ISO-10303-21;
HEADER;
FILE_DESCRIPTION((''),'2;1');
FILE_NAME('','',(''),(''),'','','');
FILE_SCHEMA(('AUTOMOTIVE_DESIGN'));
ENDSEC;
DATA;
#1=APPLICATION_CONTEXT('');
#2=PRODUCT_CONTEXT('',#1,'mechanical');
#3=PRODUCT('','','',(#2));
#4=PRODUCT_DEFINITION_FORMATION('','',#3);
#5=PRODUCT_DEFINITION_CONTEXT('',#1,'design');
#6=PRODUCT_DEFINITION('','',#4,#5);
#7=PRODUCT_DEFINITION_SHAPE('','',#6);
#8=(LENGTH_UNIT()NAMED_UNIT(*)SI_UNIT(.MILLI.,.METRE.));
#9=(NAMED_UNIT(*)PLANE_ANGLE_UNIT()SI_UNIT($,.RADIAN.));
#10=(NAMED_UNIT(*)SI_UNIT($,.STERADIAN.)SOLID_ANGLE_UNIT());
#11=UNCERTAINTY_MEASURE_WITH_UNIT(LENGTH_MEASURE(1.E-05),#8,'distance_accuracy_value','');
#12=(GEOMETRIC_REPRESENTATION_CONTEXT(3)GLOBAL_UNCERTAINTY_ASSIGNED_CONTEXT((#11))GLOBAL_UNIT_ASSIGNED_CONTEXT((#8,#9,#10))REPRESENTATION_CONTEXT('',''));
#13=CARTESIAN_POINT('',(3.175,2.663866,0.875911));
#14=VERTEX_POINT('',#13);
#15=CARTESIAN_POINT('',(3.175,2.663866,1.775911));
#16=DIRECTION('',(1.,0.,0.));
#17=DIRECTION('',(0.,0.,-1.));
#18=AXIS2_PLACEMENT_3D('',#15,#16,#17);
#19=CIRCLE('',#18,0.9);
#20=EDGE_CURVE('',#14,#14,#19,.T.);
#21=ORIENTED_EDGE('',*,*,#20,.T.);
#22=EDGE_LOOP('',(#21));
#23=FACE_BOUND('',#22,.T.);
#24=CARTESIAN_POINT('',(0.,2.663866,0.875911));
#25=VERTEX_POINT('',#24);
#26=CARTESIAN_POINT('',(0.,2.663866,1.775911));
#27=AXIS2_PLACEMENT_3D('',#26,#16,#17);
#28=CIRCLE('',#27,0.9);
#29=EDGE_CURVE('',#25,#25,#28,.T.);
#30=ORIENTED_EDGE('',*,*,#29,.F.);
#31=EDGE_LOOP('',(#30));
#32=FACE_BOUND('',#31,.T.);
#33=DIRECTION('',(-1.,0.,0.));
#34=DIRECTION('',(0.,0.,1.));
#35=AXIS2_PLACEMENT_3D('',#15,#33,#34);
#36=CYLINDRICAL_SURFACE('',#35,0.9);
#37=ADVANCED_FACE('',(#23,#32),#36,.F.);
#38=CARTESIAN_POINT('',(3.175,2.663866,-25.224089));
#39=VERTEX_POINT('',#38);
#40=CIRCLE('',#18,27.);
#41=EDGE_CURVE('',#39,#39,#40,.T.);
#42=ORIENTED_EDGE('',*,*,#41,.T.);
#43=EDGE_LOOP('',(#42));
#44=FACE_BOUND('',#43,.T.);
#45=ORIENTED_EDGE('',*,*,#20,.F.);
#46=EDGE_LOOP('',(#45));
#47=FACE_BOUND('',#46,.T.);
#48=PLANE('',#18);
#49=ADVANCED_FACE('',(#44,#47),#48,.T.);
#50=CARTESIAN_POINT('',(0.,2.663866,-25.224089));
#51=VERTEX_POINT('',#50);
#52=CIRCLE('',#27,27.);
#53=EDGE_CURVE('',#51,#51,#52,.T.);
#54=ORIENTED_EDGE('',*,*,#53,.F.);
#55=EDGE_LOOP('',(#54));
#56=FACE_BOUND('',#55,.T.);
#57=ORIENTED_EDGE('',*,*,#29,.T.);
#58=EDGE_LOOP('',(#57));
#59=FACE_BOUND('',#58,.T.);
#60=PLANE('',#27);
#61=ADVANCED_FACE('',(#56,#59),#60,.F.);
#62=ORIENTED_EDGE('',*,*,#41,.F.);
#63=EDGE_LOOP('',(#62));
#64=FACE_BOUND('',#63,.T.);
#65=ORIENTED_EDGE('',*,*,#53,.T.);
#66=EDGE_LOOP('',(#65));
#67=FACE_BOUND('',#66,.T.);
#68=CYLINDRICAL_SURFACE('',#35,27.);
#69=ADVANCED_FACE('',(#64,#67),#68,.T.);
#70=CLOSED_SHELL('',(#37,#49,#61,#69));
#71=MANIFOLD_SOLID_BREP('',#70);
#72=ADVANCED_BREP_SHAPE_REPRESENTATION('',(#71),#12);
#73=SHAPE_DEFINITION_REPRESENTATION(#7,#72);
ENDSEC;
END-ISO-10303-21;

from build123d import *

# Parameters (mm, degrees)
SKETCH1_R      = 27
SKETCH1_R_2    = 0.9
EXTRUDE1_DEPTH = 3.175


with BuildPart() as part:
    # Sketch1 → Extrude1 (new body)
    with BuildSketch(Plane(origin=(0, 0, 0), x_dir=(0, 0, -1), z_dir=(1, 0, 0))):
        with Locations((-1.775910693, 2.66386604)):
            Circle(SKETCH1_R)
        with Locations((-1.775910693, 2.66386604)):
            Circle(SKETCH1_R_2, mode=Mode.SUBTRACT)
    extrude(amount=EXTRUDE1_DEPTH)


solid = part.part
